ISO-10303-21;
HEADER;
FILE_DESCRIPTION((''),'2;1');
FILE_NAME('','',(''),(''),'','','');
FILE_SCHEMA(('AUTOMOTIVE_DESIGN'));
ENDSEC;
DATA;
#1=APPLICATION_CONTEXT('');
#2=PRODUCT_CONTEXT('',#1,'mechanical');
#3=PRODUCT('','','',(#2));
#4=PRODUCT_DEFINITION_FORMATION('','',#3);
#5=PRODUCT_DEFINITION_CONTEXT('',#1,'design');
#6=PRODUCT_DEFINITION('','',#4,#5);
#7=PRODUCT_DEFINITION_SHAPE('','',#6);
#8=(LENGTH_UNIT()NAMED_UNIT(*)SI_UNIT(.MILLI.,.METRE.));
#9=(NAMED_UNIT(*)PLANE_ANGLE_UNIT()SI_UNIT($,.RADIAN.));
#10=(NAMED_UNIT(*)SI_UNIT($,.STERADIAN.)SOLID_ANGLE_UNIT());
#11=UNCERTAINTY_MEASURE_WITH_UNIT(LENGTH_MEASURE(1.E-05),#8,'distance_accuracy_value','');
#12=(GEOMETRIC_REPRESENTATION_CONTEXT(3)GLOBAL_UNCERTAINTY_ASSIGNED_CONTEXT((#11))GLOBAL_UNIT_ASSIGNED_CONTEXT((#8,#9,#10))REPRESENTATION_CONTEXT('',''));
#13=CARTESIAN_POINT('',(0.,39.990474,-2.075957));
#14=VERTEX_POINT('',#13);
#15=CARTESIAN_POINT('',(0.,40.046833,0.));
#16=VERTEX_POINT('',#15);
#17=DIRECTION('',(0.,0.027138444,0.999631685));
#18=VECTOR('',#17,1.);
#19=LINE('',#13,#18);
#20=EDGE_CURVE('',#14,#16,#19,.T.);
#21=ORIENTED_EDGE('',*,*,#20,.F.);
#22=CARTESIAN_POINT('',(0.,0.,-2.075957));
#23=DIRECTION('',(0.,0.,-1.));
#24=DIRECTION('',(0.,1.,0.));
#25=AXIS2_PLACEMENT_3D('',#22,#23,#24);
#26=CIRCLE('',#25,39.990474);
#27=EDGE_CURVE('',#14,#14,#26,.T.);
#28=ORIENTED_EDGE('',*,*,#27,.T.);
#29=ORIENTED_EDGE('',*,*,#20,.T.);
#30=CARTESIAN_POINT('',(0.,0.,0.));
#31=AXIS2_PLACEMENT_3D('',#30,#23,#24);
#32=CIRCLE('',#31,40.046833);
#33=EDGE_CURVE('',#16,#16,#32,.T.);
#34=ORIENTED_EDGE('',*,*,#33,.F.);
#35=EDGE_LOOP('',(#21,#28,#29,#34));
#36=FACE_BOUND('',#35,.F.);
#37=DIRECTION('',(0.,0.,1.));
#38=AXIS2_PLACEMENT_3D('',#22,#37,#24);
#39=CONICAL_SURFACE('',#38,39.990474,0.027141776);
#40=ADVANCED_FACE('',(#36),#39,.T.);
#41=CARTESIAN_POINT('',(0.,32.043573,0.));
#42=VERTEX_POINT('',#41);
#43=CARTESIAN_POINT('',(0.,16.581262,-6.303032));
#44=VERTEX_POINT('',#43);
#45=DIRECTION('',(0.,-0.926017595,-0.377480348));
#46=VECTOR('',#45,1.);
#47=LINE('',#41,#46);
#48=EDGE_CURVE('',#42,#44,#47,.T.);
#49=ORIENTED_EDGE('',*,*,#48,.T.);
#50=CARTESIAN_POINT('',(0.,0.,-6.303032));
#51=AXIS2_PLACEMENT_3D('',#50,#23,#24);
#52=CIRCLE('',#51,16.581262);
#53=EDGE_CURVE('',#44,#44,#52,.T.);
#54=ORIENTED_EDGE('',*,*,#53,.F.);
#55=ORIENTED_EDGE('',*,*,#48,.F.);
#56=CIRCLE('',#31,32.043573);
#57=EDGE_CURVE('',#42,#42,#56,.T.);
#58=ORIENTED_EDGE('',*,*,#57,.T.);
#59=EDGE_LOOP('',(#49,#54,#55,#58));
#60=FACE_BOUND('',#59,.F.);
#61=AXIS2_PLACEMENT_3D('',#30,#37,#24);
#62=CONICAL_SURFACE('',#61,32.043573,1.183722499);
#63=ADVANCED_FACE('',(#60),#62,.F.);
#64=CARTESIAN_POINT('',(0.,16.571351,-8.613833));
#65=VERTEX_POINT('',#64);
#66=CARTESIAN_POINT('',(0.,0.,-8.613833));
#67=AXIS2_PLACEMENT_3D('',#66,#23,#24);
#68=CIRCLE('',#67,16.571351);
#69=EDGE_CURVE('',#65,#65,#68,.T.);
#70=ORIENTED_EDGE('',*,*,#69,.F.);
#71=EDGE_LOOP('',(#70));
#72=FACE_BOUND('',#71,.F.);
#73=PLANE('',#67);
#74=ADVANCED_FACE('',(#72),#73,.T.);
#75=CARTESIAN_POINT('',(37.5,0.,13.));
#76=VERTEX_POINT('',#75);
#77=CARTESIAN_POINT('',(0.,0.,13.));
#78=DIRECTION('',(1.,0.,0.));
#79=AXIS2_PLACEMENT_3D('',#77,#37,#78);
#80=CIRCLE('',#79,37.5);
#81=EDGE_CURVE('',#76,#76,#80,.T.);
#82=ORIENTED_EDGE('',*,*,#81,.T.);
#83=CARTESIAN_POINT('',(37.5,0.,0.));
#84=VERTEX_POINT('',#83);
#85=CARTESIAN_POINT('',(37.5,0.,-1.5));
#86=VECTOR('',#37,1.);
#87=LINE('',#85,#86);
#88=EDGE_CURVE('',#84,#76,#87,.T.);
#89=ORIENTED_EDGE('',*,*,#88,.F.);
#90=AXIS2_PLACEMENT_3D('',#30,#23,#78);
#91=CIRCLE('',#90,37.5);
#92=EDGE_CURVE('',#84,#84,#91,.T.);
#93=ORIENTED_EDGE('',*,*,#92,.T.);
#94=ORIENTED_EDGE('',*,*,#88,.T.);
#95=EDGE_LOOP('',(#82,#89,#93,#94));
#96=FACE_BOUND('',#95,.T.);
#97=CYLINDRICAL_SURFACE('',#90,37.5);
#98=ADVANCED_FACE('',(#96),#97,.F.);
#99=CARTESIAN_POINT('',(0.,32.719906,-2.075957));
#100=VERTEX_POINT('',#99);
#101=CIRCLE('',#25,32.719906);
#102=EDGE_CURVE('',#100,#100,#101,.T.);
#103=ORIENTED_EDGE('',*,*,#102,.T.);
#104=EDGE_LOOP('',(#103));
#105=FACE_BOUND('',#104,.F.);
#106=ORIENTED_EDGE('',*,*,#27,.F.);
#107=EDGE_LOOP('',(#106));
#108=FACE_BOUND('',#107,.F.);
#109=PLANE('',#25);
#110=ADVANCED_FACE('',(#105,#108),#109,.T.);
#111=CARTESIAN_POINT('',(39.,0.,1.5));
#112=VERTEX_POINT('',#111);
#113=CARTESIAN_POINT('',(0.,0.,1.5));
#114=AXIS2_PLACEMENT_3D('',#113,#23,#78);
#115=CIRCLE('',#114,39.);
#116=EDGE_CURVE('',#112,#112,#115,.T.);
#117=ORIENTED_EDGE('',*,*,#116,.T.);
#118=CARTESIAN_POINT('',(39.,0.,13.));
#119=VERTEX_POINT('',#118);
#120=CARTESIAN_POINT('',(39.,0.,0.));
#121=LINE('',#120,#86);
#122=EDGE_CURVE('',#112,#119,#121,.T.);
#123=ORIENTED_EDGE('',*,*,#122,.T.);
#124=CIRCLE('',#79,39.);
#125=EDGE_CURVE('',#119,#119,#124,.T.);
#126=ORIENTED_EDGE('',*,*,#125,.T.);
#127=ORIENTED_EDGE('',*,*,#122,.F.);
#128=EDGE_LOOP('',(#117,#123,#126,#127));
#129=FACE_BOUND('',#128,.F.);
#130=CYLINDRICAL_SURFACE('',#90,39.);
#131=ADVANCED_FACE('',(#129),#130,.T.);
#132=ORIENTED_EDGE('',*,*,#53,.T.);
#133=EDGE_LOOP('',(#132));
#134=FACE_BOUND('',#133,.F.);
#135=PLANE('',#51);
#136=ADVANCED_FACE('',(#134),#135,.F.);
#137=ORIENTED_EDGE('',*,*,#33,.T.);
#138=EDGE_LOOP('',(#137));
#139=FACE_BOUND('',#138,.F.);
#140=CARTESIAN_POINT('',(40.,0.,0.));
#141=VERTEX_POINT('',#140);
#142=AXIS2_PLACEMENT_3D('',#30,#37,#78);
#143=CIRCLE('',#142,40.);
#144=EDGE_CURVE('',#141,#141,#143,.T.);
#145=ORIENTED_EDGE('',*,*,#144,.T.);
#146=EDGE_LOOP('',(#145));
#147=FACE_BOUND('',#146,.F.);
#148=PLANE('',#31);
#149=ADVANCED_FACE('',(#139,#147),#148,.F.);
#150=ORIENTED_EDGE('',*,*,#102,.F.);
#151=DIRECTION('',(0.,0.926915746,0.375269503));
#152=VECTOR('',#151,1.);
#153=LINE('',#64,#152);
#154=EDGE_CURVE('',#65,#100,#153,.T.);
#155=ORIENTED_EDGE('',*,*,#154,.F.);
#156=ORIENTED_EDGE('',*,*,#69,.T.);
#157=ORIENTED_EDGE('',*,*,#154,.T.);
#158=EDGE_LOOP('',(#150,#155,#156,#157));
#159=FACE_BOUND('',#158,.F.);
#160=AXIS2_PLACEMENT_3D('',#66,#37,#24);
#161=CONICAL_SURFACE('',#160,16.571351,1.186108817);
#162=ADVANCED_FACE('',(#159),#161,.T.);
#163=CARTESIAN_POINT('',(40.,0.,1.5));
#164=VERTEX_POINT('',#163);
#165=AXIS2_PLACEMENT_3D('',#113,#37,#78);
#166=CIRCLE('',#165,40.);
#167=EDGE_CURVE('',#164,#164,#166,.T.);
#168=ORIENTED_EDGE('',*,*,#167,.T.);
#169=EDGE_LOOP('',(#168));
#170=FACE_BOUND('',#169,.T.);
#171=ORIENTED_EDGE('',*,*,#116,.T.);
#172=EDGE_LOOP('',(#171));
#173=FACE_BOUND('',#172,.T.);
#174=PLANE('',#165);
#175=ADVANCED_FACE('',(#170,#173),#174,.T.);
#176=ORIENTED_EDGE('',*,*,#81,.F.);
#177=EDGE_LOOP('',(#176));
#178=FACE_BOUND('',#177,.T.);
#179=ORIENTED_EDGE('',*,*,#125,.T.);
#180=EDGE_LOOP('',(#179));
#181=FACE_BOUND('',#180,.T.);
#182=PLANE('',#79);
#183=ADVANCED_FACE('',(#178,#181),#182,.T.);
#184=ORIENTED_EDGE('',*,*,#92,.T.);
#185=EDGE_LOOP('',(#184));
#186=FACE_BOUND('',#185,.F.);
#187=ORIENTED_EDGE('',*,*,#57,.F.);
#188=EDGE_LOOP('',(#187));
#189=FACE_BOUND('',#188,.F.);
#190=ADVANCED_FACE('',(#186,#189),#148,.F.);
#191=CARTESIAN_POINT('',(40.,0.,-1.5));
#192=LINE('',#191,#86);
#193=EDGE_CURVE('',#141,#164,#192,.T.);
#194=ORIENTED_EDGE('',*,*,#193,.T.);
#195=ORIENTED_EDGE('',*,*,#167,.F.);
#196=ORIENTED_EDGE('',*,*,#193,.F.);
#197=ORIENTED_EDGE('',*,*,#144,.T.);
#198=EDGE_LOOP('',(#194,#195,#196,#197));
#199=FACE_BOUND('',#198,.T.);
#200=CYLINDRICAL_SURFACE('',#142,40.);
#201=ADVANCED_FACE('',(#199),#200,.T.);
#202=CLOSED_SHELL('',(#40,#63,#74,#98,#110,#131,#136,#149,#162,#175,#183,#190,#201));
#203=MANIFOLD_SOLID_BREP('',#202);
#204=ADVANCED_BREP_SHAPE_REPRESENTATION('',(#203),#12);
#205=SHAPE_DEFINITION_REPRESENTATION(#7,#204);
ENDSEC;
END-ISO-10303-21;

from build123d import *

# Parameters (mm, degrees)
F0_R     = 39
F0_R_2   = 37.5
F1_DEPTH = 13
F2_R     = 40
F2_R_2   = 37.5
F3_DEPTH = 1.5


with BuildPart() as f1:
    # F0 (on Top) → F1 (new body)
    with BuildSketch(Plane.XY):
        Circle(F0_R)
        Circle(F0_R_2, mode=Mode.SUBTRACT)
    extrude(amount=F1_DEPTH)

    # F2 (on Top) → F3 (join, symmetric)
    with BuildSketch(Plane.XY):
        Circle(F2_R)
        Circle(F2_R_2, mode=Mode.SUBTRACT)
    extrude(amount=F3_DEPTH, both=True)

    # F4 (on Right) → F5 (revolve)
    with BuildSketch(Plane.YZ):
        Polygon((39.990474, -2.075957), (40.046833, 0), (32.043573, 0), (16.581262, -6.303032), (0, -6.303032), (0, -8.613833), (16.571351, -8.613833), (32.719906, -2.075957), align=None)
    revolve(axis=Axis((0, 0, -7.458432), (0, 0, -1)))


solid = f1.part
